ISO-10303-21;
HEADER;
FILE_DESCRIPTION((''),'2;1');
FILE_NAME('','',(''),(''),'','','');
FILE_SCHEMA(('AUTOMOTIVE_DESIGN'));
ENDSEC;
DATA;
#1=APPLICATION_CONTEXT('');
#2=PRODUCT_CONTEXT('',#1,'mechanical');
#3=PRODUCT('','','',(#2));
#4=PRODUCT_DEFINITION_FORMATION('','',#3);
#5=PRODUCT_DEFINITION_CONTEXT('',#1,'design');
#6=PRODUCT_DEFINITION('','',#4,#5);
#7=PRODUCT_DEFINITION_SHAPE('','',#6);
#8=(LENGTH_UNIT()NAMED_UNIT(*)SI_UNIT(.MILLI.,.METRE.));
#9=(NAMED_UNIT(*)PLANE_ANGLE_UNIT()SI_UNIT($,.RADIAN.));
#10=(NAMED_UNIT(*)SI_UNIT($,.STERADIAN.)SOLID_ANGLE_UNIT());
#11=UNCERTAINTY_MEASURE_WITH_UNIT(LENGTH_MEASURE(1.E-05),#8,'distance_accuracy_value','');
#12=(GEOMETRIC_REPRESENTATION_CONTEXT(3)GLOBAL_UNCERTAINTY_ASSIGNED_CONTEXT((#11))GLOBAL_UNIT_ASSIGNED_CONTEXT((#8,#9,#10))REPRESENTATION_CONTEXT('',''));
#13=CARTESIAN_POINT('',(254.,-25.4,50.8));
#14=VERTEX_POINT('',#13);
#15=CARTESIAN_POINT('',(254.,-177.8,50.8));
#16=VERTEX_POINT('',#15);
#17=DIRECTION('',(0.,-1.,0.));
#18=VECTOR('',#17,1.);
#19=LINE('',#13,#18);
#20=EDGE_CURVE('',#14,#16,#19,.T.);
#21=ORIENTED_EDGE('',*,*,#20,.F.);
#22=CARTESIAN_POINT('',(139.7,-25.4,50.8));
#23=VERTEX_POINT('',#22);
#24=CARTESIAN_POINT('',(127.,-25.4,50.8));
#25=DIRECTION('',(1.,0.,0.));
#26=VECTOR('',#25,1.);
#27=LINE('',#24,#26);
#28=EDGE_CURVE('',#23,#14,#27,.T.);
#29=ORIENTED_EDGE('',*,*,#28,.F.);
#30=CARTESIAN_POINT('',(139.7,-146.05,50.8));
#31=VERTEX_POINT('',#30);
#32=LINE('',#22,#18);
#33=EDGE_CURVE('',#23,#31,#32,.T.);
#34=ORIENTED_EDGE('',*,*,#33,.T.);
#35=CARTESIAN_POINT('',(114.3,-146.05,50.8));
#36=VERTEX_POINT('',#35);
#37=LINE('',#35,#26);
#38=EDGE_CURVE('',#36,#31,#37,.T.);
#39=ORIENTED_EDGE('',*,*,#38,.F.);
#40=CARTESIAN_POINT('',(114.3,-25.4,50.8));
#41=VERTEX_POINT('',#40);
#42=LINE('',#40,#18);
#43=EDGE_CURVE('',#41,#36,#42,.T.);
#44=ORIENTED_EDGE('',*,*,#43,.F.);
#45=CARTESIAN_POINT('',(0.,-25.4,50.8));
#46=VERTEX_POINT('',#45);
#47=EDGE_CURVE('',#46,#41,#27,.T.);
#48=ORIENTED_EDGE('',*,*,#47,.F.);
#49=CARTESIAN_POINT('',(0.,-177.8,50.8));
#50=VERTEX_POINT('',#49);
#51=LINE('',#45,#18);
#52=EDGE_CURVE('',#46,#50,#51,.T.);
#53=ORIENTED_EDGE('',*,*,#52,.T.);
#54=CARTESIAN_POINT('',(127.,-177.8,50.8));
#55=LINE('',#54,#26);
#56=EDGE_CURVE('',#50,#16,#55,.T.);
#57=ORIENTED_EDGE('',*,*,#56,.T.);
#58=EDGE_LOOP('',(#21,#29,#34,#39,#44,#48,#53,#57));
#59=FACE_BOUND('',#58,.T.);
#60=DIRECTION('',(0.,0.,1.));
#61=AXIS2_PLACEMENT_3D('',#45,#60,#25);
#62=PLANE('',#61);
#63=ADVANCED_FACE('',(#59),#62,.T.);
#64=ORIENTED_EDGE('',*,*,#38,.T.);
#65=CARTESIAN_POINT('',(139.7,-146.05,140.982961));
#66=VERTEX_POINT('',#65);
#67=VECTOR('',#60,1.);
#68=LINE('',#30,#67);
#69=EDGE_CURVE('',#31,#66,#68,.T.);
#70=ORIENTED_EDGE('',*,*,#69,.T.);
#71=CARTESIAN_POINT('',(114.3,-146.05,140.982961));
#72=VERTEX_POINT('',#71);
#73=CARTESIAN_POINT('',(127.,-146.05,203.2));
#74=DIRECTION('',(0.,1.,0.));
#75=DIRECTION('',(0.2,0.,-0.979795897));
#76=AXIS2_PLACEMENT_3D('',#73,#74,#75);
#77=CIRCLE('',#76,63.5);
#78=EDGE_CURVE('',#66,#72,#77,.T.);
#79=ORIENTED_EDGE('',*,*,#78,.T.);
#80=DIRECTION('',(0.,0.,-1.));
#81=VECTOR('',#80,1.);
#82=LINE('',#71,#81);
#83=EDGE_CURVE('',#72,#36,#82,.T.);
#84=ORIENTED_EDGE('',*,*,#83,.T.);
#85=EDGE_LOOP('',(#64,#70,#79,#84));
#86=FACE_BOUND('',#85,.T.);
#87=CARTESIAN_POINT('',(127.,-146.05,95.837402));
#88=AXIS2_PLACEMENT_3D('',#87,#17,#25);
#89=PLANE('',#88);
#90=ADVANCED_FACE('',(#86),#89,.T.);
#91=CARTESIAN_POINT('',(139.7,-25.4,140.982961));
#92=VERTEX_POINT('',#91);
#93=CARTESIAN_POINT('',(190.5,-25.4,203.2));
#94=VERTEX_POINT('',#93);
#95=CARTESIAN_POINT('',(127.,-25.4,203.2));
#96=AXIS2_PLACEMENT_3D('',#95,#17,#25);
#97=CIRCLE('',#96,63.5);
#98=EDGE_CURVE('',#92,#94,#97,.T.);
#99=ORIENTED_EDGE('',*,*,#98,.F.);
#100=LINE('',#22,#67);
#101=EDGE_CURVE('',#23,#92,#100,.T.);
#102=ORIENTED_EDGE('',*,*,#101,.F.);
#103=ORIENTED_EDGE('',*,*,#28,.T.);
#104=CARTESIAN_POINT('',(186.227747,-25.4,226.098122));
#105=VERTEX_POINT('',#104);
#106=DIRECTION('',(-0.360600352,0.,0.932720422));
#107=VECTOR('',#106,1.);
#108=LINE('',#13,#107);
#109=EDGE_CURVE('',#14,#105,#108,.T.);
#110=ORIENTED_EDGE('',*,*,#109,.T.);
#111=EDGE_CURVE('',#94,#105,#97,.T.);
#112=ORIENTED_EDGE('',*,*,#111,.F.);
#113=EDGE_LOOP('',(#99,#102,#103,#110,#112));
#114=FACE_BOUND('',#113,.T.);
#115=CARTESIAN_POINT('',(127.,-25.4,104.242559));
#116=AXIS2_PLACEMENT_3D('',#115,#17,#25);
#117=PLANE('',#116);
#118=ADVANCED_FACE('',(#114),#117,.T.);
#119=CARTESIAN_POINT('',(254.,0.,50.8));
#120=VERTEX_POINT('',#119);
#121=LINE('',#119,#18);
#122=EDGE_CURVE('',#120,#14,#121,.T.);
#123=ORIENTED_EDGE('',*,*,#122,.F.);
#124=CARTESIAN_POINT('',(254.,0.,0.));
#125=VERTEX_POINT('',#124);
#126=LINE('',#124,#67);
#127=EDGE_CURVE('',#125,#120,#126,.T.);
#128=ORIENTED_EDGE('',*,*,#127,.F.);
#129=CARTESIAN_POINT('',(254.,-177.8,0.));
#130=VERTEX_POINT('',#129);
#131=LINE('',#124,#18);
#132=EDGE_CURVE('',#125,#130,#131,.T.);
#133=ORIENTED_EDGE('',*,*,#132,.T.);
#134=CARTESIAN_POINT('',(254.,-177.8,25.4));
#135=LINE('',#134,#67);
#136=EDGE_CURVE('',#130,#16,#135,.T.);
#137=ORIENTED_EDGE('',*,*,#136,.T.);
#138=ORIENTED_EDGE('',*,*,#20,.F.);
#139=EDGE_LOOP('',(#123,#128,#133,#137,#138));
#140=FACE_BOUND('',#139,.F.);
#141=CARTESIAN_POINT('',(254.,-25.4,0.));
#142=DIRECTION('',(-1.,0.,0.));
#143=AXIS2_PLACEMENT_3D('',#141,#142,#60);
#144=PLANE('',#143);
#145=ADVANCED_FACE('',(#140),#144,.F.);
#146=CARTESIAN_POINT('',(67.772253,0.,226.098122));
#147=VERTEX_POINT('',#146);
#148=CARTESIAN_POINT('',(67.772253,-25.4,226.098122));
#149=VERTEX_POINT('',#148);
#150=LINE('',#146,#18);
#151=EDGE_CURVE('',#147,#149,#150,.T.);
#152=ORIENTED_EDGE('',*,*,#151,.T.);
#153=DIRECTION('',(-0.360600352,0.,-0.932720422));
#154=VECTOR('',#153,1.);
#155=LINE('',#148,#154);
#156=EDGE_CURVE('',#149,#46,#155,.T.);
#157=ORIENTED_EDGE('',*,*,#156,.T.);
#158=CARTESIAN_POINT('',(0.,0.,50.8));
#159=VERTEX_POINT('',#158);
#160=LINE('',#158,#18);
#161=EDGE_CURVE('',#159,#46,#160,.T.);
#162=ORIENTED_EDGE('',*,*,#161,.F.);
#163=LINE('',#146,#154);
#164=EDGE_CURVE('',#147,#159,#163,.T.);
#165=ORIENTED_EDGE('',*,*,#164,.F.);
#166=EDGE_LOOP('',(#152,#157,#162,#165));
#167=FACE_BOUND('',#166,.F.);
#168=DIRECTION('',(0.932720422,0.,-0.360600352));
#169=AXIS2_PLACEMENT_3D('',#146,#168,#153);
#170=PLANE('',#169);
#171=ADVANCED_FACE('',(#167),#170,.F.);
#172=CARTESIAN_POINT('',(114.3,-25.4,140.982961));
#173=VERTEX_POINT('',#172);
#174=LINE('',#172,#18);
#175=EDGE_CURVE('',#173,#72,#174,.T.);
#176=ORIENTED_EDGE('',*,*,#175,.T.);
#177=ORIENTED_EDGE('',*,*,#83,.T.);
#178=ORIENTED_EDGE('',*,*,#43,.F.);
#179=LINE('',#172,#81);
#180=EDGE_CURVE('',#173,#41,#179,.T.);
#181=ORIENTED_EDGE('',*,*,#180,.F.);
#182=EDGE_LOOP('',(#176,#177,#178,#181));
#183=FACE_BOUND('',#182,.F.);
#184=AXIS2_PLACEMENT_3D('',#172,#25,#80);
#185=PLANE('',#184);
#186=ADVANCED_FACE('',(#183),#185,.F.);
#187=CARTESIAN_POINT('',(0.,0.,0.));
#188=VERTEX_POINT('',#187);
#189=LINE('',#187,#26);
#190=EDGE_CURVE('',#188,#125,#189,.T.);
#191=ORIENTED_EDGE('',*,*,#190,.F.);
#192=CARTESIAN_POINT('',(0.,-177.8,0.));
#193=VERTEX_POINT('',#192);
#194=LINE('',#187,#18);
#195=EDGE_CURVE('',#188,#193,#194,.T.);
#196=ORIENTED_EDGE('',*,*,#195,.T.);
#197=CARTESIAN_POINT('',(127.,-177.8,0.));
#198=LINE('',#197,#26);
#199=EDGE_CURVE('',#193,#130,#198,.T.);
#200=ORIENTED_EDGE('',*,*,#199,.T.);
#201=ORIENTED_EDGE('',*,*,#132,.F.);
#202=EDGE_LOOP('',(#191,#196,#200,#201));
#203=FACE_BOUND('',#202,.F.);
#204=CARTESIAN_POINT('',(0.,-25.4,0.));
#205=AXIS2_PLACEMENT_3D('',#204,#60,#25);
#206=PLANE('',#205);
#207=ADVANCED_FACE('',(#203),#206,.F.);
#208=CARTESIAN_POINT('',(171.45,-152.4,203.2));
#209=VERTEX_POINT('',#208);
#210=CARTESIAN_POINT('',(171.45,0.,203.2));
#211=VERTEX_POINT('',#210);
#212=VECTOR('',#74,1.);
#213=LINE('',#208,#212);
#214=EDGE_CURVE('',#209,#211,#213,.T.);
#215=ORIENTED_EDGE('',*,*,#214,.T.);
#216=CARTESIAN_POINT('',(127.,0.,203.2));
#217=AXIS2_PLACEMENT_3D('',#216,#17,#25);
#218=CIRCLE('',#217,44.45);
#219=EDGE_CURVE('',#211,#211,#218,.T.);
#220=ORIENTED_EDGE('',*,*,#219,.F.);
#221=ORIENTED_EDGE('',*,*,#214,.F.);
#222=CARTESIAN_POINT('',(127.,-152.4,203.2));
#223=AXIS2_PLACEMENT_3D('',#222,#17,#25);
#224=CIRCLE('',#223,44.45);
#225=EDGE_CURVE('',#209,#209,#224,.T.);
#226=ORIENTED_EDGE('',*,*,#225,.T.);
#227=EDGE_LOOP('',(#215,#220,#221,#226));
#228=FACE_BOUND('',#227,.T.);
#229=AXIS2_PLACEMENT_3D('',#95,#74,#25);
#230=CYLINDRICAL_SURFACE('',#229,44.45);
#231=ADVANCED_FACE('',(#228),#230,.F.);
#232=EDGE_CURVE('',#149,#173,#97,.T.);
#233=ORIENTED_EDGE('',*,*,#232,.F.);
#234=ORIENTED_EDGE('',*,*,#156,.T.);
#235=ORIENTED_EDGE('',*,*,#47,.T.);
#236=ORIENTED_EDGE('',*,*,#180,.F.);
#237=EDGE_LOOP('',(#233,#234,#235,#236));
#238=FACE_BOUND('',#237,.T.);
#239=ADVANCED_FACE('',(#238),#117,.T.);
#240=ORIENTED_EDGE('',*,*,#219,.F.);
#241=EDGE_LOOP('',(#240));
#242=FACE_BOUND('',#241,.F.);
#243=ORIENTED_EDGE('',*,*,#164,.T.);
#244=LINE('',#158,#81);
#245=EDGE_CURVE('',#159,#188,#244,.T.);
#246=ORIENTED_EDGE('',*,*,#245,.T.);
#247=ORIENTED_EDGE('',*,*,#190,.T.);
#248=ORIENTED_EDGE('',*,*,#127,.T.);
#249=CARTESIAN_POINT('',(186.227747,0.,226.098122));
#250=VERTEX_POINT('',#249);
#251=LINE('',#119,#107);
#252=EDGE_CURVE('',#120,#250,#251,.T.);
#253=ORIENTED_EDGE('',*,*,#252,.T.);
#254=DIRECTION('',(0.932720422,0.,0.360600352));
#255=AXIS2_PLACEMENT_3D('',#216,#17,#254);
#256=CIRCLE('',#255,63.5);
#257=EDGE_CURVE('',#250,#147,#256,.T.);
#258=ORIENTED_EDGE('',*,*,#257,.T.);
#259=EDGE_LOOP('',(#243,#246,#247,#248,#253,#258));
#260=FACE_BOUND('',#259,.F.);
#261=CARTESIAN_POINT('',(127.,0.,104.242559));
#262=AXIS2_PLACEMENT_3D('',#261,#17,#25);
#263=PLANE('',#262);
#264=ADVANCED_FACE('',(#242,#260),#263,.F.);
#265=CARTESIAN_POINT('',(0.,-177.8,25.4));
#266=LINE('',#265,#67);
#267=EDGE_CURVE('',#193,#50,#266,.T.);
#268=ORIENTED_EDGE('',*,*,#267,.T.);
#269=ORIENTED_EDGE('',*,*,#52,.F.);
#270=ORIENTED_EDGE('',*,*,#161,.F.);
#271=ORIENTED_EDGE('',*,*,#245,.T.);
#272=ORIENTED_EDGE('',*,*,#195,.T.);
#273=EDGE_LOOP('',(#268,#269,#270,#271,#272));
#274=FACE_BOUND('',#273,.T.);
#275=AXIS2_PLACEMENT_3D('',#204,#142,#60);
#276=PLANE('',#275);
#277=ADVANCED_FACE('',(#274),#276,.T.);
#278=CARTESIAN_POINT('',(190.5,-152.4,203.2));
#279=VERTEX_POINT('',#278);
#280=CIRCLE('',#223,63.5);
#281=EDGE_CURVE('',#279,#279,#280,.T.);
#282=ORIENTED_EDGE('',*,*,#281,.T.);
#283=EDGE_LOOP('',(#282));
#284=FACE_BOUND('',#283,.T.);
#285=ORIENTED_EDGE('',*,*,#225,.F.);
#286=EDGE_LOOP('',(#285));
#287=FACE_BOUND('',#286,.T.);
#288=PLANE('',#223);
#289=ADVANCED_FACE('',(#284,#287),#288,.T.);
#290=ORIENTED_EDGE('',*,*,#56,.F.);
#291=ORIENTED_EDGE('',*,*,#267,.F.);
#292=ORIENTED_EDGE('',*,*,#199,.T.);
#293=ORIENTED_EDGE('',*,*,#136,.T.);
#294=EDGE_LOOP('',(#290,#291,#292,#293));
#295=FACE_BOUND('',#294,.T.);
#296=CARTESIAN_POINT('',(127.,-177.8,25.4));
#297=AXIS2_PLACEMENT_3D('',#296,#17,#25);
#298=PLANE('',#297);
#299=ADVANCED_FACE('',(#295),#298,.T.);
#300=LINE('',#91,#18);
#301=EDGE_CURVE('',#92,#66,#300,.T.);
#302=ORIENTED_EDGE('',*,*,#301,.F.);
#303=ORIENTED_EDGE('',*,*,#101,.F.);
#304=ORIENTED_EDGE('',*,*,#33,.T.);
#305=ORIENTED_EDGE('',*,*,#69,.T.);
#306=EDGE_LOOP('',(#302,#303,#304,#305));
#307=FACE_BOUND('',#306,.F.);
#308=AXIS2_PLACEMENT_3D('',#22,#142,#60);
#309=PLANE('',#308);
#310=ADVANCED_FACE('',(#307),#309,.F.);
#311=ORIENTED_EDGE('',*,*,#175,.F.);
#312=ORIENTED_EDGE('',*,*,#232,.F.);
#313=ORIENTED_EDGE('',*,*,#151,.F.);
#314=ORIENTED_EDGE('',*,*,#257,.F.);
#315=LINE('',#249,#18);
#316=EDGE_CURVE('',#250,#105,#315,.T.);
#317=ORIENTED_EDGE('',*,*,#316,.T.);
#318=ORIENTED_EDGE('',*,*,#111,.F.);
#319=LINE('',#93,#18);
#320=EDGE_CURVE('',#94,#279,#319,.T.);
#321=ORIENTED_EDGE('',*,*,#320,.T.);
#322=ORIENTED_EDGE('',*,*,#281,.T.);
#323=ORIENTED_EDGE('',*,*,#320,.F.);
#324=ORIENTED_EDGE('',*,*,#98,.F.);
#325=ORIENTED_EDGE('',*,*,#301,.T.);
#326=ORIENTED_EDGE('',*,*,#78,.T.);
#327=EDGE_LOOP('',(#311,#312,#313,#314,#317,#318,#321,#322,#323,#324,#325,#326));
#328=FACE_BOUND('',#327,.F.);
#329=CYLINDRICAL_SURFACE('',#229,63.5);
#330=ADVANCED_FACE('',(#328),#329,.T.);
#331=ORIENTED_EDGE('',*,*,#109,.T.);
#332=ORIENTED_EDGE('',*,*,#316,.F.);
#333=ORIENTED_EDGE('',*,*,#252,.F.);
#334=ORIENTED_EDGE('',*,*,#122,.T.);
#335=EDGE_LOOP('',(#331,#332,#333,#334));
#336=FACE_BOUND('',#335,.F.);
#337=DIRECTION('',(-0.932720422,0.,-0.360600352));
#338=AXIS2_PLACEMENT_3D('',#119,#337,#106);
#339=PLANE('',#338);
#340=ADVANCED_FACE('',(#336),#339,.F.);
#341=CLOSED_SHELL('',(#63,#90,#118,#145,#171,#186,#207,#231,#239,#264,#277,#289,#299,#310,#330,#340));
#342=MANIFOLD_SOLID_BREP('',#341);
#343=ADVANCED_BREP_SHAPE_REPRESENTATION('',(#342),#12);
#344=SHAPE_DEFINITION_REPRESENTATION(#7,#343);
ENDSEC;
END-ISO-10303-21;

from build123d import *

# Parameters (mm, degrees)
F0_R     = 44.45
F1_DEPTH = 25.4
F2_R     = 63.5
F2_R_2   = 44.45
F3_DEPTH = 127
F4_W     = 254
F4_H     = 50.8
F5_DEPTH = 152.4
F7_DEPTH = 120.65
F8_R     = 44.45
F9_DEPTH = 152.401


with BuildPart() as f1:
    # F0 (on Front) → F1 (new body)
    with BuildSketch(Plane.XZ):
        with BuildLine():
            Line((0, 50.8), (0, 0))
            Line((0, 0), (254, 0))
            Line((254, 0), (254, 50.8))
            Line((254, 50.8), (186.2277468166, 226.0981223472))
            ThreePointArc((186.2277468166, 226.0981223472), (127, 266.7), (67.7722531834, 226.0981223472))
            Line((67.7722531834, 226.0981223472), (0, 50.8))
        make_face()
        with Locations((127, 203.2)):
            Circle(F0_R, mode=Mode.SUBTRACT)
    extrude(amount=F1_DEPTH)

    # F2 (on face) → F3 (join)
    with BuildSketch(Plane.XZ.offset(25.4)):
        with Locations((127, 203.2)):
            Circle(F2_R)
        with Locations((127, 203.2)):
            Circle(F2_R_2, mode=Mode.SUBTRACT)
    extrude(amount=F3_DEPTH)

    # F4 (on face) → F5 (join)
    with BuildSketch(Plane.XZ.offset(25.4)):
        with Locations((127, 25.4)):
            Rectangle(F4_W, F4_H)
    extrude(amount=F5_DEPTH)

    # F6 (on face) → F7 (join)
    with BuildSketch(Plane.XZ.offset(25.4)):
        with BuildLine():
            ThreePointArc((139.7, 140.9829605333), (127, 139.7), (114.3, 140.9829605333))
            Line((114.3, 140.9829605333), (114.3, 50.8))
            Line((114.3, 50.8), (139.7, 50.8))
            Line((139.7, 50.8), (139.7, 140.9829605333))
        make_face()
    extrude(amount=F7_DEPTH)

    # F8 (on face) → F9 (cut, through all)
    with BuildSketch(Plane.XZ.offset(152.4)):
        with Locations((127, 203.2)):
            Circle(F8_R)
    extrude(amount=-F9_DEPTH, mode=Mode.SUBTRACT)


solid = f1.part
